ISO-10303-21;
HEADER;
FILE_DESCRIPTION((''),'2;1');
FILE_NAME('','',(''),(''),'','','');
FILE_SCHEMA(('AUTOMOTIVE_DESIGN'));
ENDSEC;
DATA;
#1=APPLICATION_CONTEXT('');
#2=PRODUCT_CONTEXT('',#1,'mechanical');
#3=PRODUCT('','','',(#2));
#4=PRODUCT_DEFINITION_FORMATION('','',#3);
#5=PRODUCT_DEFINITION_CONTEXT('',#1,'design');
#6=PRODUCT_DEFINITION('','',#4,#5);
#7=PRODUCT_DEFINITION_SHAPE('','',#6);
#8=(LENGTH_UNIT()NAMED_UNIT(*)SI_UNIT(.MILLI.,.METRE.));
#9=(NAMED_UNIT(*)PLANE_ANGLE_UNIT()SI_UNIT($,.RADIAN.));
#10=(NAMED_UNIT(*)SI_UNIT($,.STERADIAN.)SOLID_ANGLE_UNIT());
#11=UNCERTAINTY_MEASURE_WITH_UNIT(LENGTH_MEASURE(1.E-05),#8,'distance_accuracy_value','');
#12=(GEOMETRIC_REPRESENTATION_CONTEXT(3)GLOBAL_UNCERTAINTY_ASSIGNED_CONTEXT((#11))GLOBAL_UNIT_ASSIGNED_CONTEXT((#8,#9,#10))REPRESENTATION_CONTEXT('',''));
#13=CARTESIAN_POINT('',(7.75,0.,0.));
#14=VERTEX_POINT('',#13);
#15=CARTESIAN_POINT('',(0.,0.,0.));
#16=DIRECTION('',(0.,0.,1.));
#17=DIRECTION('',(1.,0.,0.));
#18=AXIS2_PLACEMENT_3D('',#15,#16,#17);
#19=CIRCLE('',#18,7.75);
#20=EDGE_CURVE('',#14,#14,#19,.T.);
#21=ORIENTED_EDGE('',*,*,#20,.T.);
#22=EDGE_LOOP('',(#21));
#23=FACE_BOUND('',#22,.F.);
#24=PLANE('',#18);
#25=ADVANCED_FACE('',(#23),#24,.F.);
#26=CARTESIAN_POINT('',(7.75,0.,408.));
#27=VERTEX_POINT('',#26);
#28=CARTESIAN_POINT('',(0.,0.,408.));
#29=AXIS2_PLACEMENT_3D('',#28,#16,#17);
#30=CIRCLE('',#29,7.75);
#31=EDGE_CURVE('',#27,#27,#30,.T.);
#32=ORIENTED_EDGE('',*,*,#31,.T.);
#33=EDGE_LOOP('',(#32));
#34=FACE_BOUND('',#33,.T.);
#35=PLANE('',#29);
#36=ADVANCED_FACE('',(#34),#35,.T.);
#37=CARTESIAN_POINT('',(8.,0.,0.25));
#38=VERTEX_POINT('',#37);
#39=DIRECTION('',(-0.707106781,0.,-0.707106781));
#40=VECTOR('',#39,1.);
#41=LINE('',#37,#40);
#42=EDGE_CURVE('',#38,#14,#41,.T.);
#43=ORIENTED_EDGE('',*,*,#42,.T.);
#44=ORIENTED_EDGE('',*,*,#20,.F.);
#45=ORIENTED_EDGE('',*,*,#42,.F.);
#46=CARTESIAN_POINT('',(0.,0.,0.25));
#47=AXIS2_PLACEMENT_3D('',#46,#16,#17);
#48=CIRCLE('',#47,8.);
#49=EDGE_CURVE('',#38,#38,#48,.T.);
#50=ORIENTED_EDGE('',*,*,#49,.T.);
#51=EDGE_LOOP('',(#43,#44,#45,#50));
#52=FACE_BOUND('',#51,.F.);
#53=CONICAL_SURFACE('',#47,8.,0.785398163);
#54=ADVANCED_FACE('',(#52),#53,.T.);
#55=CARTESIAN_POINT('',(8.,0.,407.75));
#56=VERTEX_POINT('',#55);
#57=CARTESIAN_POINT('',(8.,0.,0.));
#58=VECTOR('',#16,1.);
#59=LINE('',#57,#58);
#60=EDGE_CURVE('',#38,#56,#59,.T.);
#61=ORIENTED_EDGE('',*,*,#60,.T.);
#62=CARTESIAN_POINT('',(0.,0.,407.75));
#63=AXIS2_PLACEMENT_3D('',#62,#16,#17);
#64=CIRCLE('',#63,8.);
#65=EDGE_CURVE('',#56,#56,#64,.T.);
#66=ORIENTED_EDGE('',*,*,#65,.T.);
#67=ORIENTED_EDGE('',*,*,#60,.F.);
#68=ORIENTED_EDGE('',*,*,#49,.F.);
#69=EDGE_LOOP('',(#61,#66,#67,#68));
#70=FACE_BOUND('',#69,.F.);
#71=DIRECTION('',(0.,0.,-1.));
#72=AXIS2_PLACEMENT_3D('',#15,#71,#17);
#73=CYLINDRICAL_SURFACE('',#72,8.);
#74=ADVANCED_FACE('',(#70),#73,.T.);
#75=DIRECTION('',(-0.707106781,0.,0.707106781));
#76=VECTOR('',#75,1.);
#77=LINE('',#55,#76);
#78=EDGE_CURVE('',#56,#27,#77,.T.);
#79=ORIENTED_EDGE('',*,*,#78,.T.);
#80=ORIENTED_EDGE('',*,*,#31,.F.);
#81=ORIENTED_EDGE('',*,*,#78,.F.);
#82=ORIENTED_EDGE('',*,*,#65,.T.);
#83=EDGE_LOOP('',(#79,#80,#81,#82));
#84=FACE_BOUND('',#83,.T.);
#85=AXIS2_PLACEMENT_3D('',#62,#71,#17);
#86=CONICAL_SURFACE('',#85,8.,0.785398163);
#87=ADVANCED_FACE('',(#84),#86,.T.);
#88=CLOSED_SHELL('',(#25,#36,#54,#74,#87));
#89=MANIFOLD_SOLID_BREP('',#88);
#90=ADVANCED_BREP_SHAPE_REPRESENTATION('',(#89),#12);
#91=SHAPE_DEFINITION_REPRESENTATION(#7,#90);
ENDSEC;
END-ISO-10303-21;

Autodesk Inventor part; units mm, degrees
ref_plane "YZ Plane" through (0, 0, 0) normal (1, 0, 0) x (0, 1, 0)
ref_plane "XZ Plane" through (0, 0, 0) normal (0, 1, 0) x (-1, 0, 0)
ref_plane "XY Plane" through (0, 0, 0) normal (0, 0, 1) x (1, 0, 0)
sketch "Sketch1" plane through (0, 0, 0) normal (0, 0, 1) x (1, 0, 0)
  circle A0 centre (0, 0) radius 8
  dimension "d0" = 16
extrude "Extrusion1" add sketch "Sketch1" along normal blind 408
chamfer "Chamfer1" distance 0.25 angle 45 2 edges at (-8, 0, 408) (-8, 0, 0)
properties part number "16mm Linear Shaft" material "Steel, Carbon"
